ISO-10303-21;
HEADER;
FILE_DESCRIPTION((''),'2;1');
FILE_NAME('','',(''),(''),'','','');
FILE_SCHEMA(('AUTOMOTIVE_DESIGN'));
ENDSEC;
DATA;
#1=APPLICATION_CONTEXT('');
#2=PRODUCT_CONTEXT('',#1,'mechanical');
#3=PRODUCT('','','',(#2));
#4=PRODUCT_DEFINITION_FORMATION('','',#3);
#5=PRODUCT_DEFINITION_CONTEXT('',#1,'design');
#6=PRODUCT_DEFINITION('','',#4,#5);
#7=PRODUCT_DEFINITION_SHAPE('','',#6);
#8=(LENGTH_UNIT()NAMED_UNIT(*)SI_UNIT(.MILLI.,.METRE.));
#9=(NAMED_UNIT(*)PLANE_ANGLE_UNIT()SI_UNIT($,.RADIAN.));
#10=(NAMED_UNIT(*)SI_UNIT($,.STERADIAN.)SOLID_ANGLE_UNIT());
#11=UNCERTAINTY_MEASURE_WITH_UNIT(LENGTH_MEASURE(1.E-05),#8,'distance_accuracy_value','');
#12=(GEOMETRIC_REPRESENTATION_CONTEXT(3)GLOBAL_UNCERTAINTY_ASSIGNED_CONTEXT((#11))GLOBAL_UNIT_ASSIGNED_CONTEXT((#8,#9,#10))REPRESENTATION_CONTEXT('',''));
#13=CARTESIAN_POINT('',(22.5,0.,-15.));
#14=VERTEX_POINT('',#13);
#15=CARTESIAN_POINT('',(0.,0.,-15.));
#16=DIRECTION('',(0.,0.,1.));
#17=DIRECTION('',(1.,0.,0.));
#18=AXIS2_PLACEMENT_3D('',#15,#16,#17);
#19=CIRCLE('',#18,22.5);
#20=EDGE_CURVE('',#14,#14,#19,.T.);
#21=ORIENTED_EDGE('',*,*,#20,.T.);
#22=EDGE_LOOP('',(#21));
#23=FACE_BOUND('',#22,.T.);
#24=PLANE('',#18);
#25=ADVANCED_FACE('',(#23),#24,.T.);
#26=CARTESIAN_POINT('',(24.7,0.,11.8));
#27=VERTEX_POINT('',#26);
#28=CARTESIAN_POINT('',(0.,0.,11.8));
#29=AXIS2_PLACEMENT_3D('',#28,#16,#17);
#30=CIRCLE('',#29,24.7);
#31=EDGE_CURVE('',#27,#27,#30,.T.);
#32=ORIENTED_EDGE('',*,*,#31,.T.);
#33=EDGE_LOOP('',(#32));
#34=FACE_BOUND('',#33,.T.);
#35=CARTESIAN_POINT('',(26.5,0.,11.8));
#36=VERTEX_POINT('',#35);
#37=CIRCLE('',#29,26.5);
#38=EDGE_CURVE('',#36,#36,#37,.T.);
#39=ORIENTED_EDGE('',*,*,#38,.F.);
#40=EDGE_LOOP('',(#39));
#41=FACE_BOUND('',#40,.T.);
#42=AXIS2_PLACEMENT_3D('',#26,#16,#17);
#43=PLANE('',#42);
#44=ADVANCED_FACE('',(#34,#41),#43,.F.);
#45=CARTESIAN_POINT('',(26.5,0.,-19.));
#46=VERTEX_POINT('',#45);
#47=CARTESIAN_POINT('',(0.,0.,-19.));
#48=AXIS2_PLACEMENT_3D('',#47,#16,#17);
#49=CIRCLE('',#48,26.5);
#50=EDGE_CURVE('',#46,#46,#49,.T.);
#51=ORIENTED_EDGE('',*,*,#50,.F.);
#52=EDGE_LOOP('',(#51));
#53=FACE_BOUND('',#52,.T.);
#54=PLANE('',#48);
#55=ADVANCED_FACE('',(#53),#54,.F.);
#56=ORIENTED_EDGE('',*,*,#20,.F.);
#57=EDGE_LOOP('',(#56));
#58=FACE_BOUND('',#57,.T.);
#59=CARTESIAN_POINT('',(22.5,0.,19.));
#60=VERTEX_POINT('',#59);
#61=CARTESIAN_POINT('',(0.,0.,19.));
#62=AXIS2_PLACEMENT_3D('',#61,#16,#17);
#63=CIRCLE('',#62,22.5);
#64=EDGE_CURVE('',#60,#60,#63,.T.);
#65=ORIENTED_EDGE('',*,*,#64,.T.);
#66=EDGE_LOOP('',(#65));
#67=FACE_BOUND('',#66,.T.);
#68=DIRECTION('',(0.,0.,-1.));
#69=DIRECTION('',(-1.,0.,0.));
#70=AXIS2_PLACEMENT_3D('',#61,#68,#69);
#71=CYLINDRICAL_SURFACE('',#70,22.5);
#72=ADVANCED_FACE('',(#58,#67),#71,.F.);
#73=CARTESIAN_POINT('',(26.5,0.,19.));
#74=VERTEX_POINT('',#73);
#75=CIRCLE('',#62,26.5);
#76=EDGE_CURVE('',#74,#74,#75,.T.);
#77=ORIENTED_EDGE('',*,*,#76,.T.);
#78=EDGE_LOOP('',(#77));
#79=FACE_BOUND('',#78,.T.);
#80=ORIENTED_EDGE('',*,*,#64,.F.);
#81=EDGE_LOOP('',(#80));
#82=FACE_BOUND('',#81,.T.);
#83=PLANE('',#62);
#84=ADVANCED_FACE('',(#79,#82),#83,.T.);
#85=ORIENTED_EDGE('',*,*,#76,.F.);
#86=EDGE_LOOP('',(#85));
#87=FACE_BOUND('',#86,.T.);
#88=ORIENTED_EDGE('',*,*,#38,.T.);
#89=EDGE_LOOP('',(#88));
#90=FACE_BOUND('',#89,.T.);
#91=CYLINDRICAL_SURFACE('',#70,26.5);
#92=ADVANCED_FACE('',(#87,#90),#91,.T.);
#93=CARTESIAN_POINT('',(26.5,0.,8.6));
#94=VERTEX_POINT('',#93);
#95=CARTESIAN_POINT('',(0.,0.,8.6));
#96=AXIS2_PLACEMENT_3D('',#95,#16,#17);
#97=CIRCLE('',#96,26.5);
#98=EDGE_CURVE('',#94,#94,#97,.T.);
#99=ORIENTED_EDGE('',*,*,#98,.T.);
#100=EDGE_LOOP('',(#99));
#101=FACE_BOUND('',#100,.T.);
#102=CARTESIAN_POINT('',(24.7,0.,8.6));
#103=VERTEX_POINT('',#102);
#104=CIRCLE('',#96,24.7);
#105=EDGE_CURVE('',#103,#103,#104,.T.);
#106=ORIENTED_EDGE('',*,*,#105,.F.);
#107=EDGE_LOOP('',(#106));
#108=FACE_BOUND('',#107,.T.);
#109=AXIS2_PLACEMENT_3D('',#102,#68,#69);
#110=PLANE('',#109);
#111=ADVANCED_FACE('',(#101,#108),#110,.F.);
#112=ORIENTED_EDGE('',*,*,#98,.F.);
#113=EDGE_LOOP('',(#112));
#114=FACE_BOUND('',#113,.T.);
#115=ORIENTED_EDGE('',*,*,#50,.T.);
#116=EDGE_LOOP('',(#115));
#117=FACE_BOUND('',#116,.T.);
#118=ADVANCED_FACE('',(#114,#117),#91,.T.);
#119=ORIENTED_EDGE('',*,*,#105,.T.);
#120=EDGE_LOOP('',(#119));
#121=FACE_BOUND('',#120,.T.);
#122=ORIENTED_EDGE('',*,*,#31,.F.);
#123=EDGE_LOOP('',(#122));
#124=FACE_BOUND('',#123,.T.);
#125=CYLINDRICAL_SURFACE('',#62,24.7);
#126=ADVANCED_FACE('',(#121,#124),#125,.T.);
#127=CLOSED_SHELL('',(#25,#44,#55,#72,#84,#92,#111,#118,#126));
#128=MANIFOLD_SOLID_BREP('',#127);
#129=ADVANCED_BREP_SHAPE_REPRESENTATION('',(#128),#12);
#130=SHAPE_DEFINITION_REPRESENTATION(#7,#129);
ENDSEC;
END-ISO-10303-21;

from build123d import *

# Parameters (mm, degrees)
SKETCH1_R           = 26.5
BOSS_EXTRUDE1_DEPTH = 19
SHELL1_T            = -4
SKETCH3_W           = 1.8
SKETCH3_H           = 3.2


with BuildPart() as part:
    # Sketch1 → Boss-Extrude1 (new, symmetric)
    with BuildSketch(Plane.XY):
        Circle(SKETCH1_R)
    extrude(amount=BOSS_EXTRUDE1_DEPTH, both=True)

    # Shell1
    shell1_openings = [part.faces().sort_by_distance(p)[0] for p in [
        (0, 0, 19),
    ]]
    offset(amount=SHELL1_T, openings=shell1_openings, kind=Kind.INTERSECTION)

    # Sketch3 → Cut-Revolve1 (revolve, cut)
    with BuildSketch(Plane(origin=(0, 0, 0), x_dir=(1, 0, 0), z_dir=(0, 1, 0))):
        with Locations((25.6, -10.2)):
            Rectangle(SKETCH3_W, SKETCH3_H)
    revolve(axis=Axis((0, 0, 19), (0, 0, -1)), mode=Mode.SUBTRACT)


solid = part.part
